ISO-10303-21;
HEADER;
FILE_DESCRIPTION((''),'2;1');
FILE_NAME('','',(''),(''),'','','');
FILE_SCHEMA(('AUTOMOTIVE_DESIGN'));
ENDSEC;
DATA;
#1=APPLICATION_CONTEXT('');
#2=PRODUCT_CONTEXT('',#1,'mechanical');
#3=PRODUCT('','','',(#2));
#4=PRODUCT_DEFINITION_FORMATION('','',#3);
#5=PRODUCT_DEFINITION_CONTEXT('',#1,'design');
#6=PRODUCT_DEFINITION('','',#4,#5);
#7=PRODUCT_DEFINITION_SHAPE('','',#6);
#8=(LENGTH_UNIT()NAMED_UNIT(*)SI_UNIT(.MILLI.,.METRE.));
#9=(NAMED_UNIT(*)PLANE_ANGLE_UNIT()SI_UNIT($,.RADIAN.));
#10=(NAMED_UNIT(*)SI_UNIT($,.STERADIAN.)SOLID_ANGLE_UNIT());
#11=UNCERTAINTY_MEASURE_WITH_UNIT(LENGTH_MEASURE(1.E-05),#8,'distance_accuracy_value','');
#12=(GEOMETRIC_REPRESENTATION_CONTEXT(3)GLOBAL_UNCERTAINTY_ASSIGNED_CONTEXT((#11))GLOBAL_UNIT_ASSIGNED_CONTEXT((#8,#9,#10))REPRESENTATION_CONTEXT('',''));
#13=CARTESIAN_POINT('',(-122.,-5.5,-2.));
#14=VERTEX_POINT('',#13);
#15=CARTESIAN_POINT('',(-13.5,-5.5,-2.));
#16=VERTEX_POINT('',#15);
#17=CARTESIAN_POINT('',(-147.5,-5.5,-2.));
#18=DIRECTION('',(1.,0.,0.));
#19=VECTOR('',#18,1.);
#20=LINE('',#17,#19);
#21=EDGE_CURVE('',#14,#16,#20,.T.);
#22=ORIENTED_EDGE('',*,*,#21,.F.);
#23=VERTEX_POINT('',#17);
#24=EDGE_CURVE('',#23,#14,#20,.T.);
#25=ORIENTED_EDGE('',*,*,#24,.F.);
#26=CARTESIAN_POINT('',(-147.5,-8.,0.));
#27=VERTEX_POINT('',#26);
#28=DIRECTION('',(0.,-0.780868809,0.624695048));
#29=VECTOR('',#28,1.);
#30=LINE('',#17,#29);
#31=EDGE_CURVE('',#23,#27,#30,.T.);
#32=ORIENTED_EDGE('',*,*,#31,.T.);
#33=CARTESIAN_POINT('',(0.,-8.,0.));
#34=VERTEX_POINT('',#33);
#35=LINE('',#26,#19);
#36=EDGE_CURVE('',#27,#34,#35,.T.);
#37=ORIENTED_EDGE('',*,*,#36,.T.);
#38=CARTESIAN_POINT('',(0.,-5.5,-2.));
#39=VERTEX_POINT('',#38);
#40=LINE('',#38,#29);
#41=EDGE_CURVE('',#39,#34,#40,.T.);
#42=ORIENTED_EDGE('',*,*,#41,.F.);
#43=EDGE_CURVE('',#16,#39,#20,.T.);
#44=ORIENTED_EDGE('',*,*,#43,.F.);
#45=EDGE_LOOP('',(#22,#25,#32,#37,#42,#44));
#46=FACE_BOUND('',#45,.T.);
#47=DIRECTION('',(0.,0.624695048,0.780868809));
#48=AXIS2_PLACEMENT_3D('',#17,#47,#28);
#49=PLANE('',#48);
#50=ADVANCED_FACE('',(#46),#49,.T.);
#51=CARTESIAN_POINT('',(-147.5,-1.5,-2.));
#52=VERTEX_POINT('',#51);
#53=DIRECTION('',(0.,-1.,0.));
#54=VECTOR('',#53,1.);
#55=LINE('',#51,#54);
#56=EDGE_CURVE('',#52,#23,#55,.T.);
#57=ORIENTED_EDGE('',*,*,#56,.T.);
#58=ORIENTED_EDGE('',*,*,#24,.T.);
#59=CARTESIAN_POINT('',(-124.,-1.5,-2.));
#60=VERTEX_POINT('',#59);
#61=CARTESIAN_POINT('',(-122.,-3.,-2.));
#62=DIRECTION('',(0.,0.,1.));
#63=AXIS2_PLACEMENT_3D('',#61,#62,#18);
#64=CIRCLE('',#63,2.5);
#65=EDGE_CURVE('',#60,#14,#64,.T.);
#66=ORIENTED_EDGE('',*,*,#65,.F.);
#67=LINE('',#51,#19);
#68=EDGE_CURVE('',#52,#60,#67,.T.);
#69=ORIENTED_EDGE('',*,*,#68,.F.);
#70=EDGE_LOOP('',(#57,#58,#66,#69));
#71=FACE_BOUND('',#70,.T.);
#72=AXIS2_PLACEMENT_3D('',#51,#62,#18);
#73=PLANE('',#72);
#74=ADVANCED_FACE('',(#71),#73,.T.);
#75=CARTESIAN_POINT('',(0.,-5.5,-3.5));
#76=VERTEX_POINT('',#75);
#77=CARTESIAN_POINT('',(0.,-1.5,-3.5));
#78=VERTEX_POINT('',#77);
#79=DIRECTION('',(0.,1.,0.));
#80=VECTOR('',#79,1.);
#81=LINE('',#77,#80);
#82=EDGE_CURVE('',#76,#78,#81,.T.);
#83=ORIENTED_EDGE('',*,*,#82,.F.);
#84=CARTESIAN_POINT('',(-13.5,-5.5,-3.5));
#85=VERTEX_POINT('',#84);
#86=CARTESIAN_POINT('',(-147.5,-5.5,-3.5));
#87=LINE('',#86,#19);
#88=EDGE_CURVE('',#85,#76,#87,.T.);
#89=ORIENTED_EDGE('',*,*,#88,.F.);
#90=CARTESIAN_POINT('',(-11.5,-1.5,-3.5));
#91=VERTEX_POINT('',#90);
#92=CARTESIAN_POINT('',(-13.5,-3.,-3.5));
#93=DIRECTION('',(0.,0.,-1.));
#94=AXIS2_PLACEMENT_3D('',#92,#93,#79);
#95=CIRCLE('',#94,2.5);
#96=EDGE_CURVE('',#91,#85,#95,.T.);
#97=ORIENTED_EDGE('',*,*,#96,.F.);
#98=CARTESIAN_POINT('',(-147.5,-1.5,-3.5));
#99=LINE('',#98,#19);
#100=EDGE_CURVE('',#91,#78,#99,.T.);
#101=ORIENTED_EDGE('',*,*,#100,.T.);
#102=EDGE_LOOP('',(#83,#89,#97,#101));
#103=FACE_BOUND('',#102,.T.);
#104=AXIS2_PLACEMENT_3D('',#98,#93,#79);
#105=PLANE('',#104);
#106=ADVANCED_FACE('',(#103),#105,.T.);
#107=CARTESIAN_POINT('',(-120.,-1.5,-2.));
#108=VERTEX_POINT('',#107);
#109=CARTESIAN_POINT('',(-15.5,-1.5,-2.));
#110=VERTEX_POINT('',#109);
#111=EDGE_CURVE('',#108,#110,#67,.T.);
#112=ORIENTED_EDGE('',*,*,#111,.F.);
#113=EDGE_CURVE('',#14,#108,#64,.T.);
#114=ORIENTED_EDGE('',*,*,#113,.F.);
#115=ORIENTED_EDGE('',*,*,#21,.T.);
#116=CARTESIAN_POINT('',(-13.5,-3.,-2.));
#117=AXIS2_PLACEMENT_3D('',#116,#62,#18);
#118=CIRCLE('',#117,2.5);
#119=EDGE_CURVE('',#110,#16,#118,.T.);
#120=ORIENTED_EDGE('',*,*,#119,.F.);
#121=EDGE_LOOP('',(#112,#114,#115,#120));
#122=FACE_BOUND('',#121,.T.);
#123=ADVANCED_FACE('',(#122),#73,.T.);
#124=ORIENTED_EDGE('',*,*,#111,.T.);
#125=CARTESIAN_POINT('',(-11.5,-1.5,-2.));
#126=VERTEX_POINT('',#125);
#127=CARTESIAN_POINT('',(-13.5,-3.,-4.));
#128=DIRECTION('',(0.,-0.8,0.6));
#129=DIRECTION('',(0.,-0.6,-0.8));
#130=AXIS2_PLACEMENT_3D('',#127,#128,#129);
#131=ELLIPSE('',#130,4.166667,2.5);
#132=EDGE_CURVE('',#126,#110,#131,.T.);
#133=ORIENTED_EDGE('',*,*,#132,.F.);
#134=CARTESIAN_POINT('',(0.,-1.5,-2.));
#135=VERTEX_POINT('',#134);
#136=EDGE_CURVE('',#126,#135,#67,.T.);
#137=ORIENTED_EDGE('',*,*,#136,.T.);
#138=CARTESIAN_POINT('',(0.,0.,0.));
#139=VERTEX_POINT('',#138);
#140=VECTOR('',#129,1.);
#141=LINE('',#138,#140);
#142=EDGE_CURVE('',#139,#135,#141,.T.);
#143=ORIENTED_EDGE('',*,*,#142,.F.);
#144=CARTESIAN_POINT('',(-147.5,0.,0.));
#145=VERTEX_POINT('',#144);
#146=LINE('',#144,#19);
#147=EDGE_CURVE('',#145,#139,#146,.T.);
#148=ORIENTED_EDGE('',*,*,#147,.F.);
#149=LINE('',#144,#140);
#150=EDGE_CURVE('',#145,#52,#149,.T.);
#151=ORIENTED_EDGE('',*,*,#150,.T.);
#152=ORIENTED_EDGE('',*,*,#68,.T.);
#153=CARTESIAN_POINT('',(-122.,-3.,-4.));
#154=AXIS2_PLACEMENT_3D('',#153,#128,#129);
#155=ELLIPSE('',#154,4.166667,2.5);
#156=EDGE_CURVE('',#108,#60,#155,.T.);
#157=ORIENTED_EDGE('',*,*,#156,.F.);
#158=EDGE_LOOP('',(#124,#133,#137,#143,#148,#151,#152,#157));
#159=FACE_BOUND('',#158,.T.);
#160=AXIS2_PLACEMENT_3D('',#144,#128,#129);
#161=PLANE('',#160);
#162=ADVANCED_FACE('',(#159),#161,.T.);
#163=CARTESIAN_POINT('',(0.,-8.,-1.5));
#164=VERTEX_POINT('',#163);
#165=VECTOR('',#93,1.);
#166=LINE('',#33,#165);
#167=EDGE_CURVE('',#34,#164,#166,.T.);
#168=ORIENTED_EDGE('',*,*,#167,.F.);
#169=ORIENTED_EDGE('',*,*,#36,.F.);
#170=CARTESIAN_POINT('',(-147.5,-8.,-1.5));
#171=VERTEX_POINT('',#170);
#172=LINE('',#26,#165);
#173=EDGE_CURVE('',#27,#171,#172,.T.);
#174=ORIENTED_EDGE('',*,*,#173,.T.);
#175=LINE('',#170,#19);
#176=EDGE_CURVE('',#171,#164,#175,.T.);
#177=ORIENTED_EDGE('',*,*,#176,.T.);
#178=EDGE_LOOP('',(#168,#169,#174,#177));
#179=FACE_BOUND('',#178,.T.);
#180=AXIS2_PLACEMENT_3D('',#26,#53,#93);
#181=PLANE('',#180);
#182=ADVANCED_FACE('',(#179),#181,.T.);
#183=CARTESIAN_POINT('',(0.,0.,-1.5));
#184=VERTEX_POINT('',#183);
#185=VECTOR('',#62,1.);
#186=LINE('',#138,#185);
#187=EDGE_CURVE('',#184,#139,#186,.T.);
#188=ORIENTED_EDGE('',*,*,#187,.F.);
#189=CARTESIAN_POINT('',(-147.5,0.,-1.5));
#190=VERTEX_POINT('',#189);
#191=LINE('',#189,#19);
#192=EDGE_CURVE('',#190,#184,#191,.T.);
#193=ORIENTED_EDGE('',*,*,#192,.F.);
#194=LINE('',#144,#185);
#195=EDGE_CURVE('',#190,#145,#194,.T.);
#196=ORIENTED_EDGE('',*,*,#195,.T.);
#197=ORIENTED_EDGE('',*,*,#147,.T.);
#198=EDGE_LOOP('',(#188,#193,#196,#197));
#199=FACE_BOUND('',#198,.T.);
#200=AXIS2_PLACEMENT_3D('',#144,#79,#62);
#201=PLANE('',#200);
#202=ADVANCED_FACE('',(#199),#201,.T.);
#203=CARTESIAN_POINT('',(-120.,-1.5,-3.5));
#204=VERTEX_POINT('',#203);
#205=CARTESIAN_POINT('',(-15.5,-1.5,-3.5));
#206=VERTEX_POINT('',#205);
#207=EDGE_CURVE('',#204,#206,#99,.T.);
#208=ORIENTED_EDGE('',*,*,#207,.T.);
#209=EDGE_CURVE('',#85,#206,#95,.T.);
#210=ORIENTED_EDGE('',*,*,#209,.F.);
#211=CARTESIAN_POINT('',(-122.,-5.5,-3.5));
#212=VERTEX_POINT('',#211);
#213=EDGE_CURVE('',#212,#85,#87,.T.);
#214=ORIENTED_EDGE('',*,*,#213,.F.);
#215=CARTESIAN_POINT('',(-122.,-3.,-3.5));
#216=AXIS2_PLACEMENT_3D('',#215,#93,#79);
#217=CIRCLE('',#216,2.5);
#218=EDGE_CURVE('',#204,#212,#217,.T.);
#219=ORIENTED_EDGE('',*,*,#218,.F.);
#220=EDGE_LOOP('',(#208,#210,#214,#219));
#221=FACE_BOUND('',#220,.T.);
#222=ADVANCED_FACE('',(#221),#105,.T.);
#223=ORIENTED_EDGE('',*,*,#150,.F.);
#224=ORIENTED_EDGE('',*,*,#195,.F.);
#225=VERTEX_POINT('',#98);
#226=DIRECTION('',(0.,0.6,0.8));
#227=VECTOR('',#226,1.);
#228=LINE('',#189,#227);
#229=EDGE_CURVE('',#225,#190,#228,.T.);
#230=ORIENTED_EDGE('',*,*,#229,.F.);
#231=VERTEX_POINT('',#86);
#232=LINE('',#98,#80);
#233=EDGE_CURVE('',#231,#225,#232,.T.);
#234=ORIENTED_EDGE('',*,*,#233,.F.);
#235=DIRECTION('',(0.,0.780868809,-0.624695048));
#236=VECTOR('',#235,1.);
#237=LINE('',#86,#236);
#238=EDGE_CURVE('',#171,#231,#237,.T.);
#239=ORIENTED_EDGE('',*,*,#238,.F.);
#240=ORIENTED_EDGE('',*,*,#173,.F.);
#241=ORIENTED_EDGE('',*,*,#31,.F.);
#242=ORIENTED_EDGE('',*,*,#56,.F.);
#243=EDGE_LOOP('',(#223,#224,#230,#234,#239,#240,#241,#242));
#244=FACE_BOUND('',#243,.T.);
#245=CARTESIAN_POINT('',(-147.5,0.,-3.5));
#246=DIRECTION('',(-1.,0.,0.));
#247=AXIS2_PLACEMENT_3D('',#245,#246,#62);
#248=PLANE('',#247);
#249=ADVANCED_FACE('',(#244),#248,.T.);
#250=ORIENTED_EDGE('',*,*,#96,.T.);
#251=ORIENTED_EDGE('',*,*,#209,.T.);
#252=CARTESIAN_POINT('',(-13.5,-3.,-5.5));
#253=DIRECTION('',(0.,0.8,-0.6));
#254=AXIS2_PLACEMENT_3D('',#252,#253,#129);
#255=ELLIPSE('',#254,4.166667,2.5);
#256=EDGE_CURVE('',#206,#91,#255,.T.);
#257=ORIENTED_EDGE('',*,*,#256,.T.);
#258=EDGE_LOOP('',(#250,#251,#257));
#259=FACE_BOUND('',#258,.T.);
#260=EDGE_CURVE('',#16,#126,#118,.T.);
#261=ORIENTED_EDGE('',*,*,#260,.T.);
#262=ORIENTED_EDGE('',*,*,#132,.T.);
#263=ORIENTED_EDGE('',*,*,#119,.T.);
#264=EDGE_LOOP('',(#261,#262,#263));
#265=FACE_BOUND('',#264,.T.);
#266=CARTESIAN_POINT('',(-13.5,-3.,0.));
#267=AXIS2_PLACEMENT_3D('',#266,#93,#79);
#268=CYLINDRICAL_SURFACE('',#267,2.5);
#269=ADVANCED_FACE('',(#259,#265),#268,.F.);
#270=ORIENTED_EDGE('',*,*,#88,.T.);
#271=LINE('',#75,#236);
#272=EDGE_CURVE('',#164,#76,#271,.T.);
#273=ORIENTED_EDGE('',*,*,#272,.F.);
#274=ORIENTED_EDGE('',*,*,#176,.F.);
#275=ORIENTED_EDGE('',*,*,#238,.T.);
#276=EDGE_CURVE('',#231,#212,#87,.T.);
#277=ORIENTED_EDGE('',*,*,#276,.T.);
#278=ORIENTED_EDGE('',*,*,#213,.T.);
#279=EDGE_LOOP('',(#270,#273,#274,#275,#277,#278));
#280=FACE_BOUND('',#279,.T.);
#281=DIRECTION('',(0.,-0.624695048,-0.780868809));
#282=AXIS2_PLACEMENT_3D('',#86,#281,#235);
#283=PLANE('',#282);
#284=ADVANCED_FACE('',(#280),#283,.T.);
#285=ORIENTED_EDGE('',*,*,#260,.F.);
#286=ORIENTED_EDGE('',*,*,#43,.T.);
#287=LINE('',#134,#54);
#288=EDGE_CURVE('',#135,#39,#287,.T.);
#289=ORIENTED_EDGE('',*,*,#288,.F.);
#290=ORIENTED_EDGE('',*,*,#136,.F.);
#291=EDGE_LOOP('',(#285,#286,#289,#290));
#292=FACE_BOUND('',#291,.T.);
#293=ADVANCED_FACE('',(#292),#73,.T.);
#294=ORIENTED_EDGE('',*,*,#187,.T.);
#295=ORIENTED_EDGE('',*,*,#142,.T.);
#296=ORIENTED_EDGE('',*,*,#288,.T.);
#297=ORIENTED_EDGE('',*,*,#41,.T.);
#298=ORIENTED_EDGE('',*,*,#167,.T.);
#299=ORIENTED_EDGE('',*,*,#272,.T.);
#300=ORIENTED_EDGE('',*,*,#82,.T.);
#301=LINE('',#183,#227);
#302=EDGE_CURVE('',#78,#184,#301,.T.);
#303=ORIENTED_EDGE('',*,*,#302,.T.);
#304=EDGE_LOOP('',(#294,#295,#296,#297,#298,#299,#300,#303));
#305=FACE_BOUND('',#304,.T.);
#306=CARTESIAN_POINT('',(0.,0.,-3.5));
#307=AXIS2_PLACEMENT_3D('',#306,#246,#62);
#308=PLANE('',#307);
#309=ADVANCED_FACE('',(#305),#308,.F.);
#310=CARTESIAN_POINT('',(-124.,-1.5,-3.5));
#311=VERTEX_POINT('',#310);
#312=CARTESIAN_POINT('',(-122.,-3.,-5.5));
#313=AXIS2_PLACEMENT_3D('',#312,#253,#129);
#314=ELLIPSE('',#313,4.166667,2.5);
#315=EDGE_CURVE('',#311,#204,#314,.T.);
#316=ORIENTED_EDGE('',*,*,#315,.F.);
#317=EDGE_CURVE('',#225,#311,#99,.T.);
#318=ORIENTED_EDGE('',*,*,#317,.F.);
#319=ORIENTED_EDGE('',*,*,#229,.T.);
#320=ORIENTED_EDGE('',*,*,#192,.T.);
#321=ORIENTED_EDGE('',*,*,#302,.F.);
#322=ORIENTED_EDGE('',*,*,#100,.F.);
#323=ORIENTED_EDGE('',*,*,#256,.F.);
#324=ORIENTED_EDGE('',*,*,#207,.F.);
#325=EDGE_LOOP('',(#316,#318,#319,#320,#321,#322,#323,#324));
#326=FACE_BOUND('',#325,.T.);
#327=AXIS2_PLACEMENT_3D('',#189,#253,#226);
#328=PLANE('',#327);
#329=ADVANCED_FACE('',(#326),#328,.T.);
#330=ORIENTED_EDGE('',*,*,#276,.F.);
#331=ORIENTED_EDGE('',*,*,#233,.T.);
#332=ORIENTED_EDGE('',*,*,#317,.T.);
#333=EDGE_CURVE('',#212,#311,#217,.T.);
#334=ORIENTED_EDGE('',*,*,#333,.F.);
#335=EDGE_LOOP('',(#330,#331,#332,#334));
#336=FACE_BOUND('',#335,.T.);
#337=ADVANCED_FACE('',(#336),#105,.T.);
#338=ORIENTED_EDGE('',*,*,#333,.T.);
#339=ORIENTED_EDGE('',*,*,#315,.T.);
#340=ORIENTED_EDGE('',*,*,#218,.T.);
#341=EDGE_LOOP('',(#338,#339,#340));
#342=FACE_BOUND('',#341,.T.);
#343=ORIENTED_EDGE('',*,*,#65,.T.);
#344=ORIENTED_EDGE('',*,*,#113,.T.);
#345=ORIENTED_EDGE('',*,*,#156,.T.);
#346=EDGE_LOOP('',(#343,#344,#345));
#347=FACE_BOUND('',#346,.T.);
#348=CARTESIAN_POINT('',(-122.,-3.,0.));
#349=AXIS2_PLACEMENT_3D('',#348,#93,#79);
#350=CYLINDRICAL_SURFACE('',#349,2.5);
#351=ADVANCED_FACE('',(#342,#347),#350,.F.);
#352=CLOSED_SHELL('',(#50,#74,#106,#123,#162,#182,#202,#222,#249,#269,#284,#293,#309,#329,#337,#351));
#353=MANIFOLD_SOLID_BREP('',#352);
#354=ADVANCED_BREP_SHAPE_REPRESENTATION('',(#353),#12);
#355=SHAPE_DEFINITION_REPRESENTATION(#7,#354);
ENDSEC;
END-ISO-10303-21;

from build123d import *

# Parameters (mm, degrees)
MAIN_BODY_EXTRUDE_DEPTH       = 147.5
CROSS_BOLT_BORE_SKETCH_R      = 2.5
CROSS_BOLT_BORE_EXTRUDE_DEPTH = 148.758248501


with BuildPart() as part:
    # Main Body Sketch → Main Body Extrude (new body)
    with BuildSketch(Plane(origin=(0, 0, 0), x_dir=(0, 0, -1), z_dir=(1, 0, 0))):
        Polygon((0, 0), (2, -1.5), (2, -5.5), (0, -8), (1.5, -8), (3.5, -5.5), (3.5, -1.5), (1.5, 0), align=None)
    extrude(amount=-MAIN_BODY_EXTRUDE_DEPTH)

    # Cross Bolt Bore Sketch → Cross Bolt Bore Extrude (cut, through all)
    with BuildSketch(Plane(origin=(0, 0, -3.5), x_dir=(-1, 0, 0), z_dir=(0, 0, -1))):
        with Locations(Location((13.5, -3, 0), (0, 0, 143.130102354))):
            Circle(CROSS_BOLT_BORE_SKETCH_R)
        with Locations(Location((122, -3, 0), (0, 0, 36.869897646))):
            Circle(CROSS_BOLT_BORE_SKETCH_R)
    extrude(amount=-CROSS_BOLT_BORE_EXTRUDE_DEPTH, mode=Mode.SUBTRACT)


solid = part.part
